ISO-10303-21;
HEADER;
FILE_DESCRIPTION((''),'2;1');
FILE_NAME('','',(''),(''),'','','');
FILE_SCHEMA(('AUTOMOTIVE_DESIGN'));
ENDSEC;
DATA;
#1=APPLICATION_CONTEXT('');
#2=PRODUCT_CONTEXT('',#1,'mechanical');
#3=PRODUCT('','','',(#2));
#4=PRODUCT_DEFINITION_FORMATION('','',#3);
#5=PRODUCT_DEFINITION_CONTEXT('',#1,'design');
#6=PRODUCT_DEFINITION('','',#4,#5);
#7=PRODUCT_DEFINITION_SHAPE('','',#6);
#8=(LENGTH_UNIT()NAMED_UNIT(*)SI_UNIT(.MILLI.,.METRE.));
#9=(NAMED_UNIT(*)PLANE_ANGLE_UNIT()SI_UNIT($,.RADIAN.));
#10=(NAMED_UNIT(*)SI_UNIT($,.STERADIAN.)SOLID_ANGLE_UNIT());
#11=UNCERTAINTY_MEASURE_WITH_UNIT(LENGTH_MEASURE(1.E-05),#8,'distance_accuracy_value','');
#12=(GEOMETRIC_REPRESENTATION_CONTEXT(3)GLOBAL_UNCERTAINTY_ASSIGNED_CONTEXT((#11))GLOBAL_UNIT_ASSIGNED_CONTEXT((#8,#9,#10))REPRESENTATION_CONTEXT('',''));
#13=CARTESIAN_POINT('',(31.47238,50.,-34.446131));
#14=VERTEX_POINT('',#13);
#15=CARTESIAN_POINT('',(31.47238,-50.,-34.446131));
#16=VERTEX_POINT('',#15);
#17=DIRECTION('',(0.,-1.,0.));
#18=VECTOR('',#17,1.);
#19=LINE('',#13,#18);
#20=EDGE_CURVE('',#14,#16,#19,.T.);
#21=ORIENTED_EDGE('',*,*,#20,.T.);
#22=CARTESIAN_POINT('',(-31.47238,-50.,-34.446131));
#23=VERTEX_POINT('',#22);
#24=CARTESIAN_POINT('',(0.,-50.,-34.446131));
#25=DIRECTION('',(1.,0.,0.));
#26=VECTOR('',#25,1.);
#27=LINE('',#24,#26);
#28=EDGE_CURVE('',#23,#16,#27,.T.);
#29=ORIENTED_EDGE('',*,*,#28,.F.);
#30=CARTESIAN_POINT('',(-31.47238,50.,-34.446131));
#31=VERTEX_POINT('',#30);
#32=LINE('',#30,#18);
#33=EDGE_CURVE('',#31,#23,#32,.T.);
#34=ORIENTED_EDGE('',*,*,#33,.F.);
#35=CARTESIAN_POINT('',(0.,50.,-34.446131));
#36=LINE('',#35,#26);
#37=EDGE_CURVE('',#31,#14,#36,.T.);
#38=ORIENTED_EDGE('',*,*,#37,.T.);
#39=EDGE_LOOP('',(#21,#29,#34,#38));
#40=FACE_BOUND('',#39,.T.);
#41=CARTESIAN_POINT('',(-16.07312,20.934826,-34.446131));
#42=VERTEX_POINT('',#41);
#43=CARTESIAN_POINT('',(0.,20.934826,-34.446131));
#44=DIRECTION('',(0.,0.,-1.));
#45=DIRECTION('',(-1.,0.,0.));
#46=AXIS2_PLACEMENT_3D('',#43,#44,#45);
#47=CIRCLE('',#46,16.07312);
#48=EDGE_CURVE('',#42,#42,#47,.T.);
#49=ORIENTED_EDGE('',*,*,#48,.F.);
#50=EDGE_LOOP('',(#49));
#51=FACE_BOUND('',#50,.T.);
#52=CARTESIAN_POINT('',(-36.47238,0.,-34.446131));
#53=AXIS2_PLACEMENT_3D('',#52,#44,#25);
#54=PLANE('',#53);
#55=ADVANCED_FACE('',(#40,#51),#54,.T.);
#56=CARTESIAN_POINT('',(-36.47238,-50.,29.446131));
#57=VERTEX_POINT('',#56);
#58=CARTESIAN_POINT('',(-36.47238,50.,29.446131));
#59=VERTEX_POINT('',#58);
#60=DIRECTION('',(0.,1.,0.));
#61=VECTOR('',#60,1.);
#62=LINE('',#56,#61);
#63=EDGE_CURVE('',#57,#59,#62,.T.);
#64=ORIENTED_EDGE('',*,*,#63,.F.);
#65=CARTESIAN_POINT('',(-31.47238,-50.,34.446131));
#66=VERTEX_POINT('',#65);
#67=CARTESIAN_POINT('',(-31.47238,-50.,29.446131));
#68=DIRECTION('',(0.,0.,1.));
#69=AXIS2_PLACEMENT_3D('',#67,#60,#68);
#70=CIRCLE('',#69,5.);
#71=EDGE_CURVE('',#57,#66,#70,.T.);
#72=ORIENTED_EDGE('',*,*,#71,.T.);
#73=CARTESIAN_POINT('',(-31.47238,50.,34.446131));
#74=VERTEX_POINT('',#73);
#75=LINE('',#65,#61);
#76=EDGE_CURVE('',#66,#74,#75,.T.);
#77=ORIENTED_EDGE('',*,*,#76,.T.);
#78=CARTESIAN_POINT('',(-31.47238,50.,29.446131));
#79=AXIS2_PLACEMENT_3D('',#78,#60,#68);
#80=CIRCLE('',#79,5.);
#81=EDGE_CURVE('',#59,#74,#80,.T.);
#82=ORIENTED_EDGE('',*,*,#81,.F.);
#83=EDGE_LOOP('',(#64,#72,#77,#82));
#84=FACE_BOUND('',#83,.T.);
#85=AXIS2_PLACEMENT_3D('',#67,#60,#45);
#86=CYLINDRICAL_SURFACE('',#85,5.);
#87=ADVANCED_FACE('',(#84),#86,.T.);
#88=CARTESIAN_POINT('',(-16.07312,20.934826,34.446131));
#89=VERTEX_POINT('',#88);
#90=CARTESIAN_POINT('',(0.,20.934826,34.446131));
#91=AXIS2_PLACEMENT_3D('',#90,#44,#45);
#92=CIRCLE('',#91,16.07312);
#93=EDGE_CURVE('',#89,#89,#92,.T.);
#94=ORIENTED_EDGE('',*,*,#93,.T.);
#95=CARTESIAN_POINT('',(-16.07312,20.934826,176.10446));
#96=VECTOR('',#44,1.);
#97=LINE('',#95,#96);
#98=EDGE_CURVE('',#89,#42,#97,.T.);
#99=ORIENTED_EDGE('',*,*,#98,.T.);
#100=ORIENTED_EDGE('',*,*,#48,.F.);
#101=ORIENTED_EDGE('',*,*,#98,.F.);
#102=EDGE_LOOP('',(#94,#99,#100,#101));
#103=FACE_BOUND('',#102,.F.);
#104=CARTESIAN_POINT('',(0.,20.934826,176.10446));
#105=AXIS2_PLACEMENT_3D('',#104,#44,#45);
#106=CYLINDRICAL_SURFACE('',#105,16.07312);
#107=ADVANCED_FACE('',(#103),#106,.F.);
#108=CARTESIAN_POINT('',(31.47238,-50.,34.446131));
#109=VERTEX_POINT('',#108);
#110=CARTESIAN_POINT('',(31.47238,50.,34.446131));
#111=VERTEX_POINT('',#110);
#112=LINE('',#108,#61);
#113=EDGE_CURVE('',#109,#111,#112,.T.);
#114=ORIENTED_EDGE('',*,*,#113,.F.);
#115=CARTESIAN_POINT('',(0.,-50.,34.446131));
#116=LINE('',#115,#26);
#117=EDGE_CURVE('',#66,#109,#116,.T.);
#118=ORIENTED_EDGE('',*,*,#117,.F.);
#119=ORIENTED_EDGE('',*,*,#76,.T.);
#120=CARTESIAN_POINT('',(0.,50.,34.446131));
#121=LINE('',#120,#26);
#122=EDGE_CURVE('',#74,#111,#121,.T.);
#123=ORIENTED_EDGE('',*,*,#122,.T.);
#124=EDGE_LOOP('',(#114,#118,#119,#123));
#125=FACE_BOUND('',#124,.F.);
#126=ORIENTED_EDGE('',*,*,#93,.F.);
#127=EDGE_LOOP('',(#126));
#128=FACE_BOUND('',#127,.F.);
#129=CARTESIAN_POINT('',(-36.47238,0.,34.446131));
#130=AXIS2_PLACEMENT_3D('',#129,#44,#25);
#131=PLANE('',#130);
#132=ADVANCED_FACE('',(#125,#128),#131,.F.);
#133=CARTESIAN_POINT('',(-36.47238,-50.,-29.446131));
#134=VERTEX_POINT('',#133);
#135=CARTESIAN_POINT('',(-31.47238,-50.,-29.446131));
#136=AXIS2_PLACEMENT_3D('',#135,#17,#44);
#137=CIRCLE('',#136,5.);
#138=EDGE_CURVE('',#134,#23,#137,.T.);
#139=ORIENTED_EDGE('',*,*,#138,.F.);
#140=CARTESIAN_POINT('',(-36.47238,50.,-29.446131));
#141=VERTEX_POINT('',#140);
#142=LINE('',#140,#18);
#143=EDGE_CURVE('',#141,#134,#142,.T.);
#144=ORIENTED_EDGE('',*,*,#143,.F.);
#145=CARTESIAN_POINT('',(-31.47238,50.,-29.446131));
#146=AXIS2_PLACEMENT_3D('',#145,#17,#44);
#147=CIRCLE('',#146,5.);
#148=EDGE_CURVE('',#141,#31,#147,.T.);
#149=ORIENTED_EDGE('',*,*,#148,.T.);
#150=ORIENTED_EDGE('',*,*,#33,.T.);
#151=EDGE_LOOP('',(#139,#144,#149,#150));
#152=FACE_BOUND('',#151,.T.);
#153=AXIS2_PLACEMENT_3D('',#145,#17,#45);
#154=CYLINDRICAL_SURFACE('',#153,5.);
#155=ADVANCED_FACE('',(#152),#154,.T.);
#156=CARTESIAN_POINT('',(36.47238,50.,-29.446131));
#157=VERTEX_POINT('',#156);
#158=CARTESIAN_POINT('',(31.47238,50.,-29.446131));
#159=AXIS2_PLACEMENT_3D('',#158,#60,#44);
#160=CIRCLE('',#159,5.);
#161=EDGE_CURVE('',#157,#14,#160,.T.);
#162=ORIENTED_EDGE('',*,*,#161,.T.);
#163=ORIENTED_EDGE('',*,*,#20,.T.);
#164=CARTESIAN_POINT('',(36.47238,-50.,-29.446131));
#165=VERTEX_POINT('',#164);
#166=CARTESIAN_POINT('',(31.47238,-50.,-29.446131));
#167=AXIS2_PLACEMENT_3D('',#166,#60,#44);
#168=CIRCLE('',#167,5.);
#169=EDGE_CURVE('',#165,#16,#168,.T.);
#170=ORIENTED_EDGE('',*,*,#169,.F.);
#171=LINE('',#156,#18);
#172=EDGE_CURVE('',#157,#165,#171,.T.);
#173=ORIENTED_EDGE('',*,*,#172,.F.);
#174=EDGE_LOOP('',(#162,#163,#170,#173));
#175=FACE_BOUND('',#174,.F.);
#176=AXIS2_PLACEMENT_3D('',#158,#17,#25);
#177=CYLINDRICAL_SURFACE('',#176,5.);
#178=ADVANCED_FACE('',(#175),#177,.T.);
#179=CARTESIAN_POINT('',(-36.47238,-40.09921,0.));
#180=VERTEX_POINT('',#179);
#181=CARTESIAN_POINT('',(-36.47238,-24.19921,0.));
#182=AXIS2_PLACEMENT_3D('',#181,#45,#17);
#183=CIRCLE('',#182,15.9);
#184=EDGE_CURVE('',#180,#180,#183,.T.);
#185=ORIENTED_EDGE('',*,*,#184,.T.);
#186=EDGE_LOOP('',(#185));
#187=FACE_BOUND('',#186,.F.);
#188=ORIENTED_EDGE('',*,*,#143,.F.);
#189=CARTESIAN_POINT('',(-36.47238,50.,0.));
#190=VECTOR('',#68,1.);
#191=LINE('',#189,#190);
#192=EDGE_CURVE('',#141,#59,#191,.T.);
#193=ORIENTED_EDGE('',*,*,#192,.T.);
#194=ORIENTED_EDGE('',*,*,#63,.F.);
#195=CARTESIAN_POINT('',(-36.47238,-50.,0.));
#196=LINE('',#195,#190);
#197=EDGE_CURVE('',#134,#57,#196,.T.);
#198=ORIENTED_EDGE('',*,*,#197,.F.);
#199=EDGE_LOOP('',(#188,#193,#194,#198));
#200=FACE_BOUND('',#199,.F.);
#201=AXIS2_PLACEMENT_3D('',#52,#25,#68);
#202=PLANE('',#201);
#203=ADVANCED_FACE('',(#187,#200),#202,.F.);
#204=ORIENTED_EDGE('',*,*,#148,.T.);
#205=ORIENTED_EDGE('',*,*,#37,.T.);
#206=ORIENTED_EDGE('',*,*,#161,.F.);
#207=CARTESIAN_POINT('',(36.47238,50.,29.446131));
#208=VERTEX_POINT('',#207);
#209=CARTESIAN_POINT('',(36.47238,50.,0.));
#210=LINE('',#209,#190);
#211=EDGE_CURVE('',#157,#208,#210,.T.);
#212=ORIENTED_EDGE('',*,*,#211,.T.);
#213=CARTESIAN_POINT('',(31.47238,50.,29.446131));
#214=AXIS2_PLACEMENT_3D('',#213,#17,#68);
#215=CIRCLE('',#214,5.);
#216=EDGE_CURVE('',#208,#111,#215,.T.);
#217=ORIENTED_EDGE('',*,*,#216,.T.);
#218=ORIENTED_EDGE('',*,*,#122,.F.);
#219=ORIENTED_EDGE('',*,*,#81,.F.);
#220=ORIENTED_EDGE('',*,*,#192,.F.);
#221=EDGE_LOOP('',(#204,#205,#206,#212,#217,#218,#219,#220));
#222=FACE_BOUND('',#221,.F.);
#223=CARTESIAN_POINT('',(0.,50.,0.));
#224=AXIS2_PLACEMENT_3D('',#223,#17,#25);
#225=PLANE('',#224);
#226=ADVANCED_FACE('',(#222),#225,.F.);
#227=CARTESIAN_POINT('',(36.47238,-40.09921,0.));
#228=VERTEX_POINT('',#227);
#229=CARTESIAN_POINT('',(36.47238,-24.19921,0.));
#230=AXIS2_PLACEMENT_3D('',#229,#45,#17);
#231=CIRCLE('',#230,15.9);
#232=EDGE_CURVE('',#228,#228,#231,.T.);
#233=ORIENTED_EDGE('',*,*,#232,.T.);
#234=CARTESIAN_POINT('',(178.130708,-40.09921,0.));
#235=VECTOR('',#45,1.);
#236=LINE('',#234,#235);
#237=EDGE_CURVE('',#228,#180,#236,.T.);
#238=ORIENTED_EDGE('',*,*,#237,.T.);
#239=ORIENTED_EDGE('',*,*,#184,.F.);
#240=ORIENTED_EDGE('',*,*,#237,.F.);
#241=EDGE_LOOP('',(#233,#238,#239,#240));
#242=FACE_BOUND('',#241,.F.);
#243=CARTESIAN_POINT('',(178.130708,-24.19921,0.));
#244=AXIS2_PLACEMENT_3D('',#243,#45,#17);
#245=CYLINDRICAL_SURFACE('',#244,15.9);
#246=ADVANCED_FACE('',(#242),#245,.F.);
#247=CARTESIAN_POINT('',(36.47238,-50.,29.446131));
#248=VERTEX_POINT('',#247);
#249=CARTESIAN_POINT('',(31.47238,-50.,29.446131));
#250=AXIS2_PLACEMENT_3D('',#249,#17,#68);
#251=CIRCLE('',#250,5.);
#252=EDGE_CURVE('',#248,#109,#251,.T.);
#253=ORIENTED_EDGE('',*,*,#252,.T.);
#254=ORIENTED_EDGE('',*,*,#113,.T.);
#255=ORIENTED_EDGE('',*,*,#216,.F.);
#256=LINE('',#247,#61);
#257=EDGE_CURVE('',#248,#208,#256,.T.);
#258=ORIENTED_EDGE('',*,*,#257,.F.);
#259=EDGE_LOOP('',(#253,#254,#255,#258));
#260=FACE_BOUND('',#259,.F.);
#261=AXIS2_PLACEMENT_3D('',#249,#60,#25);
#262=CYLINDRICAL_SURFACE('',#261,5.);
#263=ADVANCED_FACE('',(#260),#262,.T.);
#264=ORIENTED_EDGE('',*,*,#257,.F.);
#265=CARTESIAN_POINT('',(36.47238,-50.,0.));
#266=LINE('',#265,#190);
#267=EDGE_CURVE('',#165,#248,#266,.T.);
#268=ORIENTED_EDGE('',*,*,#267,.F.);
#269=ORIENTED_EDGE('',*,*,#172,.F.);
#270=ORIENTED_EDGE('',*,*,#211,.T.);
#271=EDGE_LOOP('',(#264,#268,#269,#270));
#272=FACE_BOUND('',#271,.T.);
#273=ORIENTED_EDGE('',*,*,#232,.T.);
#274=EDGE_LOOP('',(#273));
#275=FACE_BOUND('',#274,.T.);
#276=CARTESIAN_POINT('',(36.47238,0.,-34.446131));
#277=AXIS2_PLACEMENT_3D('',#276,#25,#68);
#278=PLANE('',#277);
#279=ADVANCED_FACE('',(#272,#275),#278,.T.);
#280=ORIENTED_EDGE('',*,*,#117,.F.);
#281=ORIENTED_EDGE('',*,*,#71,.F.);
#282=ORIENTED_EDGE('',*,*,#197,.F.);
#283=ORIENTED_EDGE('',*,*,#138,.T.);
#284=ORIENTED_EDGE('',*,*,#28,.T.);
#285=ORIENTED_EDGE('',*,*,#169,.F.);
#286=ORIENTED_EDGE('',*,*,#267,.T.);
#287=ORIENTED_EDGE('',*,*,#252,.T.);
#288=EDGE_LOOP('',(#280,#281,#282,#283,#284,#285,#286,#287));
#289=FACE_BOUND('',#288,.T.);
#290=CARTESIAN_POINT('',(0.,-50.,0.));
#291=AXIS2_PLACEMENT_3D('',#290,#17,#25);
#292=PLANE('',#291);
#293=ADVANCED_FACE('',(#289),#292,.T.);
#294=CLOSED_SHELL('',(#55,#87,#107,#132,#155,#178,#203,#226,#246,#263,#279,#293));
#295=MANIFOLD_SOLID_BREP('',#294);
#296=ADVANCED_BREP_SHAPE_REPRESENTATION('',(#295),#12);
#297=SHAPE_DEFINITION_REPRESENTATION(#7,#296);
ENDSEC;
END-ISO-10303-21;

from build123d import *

# Parameters (mm, degrees)
F0_W     = 72.9447603226
F0_H     = 68.892262876
F1_DEPTH = 50
F3_R     = 5
F4_D     = 31.8
F6_D     = 32.14624


with BuildPart() as f1:
    # F0 (on Front) → F1 (new body, symmetric)
    with BuildSketch(Plane.XZ):
        Rectangle(F0_W, F0_H)
    extrude(amount=F1_DEPTH, both=True)

    # F3
    f3_edges = [f1.edges().sort_by_distance(p)[0] for p in [
        (36.47238, 0, 34.446131),
        (-36.47238, 0, 34.446131),
        (36.47238, 0, -34.446131),
        (-36.47238, 0, -34.446131),
    ]]
    fillet(f3_edges, radius=F3_R)

    # F4 (through all)
    with Locations(Plane.YZ.offset(36.4723801613)):
        with Locations((-24.1992101073, 0)):
            Hole(F4_D / 2)

    # F6 (through all)
    with Locations(Plane.XY.offset(34.446131438)):
        with Locations((0, 20.9348257631)):
            Hole(F6_D / 2)


solid = f1.part
